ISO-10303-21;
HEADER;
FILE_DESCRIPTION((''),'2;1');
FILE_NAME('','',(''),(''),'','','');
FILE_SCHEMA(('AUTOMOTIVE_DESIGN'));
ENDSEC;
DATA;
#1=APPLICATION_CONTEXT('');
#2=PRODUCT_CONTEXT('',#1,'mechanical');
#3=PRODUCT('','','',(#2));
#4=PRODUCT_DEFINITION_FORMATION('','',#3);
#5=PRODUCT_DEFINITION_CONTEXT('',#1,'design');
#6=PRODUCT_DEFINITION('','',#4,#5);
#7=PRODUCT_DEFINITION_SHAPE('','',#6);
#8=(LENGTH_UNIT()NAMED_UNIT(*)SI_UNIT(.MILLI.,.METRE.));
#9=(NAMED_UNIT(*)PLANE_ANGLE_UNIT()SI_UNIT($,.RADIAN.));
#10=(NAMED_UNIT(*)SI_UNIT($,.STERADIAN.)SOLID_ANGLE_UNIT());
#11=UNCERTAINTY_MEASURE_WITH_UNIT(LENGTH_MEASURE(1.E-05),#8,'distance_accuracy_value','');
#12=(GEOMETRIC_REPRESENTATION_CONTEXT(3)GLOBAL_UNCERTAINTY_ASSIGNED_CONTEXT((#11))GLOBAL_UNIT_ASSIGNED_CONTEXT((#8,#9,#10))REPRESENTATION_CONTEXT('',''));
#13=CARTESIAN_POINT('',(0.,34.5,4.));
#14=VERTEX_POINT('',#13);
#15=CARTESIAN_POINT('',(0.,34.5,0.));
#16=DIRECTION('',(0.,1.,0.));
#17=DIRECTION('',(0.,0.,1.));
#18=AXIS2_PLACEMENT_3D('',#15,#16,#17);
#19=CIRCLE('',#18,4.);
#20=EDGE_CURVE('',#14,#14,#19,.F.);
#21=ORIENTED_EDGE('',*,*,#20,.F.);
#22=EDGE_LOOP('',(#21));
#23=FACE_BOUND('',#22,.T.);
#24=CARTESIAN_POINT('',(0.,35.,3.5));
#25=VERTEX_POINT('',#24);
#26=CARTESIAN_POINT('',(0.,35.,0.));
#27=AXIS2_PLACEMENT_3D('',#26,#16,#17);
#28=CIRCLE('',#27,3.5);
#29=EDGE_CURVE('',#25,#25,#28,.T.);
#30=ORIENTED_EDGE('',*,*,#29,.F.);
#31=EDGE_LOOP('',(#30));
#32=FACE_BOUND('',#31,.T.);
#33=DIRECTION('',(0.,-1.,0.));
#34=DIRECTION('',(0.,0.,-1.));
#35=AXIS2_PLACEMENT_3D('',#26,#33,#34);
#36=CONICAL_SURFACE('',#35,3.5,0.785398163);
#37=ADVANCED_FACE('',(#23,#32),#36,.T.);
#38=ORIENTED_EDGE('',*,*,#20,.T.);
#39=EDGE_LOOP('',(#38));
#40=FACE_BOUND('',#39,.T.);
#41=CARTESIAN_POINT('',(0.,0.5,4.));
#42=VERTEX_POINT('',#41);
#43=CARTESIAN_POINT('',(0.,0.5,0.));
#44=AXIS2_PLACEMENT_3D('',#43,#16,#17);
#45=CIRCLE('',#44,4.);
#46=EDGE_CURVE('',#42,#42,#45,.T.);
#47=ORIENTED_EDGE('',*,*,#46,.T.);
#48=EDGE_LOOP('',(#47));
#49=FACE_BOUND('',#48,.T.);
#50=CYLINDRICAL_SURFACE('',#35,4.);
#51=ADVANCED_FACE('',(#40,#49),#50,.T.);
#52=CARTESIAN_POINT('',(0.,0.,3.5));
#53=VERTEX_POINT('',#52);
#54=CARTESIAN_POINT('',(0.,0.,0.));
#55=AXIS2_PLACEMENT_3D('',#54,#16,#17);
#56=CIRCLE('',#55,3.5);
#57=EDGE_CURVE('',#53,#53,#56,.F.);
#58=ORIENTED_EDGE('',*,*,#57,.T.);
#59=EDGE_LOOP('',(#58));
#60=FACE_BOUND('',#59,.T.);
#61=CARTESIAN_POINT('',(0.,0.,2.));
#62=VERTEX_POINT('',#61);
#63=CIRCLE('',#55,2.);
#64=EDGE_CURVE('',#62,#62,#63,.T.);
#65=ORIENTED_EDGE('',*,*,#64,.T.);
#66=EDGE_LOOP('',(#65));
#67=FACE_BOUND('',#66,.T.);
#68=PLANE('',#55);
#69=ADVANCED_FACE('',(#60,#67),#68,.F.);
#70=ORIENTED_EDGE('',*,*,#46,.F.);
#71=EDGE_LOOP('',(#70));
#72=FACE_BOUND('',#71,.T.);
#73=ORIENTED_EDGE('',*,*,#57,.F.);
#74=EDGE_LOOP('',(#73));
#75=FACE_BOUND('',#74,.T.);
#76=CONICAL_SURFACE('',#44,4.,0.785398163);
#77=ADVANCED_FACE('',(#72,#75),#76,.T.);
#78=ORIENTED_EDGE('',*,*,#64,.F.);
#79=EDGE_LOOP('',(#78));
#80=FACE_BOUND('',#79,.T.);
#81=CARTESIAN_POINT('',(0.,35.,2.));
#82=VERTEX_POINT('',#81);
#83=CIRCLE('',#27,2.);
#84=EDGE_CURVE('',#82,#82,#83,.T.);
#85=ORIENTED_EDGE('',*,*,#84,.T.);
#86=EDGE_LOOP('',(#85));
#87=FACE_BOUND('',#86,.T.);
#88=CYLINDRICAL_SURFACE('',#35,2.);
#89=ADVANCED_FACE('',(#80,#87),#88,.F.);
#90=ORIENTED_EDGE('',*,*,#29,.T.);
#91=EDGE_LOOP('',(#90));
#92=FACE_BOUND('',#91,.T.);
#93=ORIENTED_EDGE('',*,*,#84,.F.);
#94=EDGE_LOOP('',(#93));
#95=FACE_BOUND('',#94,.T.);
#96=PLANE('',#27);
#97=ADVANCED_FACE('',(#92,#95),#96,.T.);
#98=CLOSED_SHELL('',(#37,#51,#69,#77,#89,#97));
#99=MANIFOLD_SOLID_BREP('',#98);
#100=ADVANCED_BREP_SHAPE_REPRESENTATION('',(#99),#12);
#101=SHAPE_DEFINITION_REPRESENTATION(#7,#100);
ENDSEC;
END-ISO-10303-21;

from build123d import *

# Parameters (mm, degrees)
SKETCH1_R           = 4
SKETCH1_R_2         = 2
BOSS_EXTRUDE1_DEPTH = 35
CHAMFER1_SIZE       = 0.5


with BuildPart() as part:
    # Sketch1 → Boss-Extrude1 (new body)
    with BuildSketch(Plane(origin=(0, 0, 0), x_dir=(1, 0, 0), z_dir=(0, 1, 0))):
        with Locations(Location((0, 0, 0), (0, 0, 270))):
            Circle(SKETCH1_R)
        with Locations(Location((0, 0, 0), (0, 0, 270))):
            Circle(SKETCH1_R_2, mode=Mode.SUBTRACT)
    extrude(amount=BOSS_EXTRUDE1_DEPTH)

    # Chamfer1
    chamfer1_edges = [part.edges().sort_by_distance(p)[0] for p in [
        (0, 0, -4),
        (0, 35, -4),
    ]]
    chamfer(chamfer1_edges, length=CHAMFER1_SIZE)


solid = part.part
